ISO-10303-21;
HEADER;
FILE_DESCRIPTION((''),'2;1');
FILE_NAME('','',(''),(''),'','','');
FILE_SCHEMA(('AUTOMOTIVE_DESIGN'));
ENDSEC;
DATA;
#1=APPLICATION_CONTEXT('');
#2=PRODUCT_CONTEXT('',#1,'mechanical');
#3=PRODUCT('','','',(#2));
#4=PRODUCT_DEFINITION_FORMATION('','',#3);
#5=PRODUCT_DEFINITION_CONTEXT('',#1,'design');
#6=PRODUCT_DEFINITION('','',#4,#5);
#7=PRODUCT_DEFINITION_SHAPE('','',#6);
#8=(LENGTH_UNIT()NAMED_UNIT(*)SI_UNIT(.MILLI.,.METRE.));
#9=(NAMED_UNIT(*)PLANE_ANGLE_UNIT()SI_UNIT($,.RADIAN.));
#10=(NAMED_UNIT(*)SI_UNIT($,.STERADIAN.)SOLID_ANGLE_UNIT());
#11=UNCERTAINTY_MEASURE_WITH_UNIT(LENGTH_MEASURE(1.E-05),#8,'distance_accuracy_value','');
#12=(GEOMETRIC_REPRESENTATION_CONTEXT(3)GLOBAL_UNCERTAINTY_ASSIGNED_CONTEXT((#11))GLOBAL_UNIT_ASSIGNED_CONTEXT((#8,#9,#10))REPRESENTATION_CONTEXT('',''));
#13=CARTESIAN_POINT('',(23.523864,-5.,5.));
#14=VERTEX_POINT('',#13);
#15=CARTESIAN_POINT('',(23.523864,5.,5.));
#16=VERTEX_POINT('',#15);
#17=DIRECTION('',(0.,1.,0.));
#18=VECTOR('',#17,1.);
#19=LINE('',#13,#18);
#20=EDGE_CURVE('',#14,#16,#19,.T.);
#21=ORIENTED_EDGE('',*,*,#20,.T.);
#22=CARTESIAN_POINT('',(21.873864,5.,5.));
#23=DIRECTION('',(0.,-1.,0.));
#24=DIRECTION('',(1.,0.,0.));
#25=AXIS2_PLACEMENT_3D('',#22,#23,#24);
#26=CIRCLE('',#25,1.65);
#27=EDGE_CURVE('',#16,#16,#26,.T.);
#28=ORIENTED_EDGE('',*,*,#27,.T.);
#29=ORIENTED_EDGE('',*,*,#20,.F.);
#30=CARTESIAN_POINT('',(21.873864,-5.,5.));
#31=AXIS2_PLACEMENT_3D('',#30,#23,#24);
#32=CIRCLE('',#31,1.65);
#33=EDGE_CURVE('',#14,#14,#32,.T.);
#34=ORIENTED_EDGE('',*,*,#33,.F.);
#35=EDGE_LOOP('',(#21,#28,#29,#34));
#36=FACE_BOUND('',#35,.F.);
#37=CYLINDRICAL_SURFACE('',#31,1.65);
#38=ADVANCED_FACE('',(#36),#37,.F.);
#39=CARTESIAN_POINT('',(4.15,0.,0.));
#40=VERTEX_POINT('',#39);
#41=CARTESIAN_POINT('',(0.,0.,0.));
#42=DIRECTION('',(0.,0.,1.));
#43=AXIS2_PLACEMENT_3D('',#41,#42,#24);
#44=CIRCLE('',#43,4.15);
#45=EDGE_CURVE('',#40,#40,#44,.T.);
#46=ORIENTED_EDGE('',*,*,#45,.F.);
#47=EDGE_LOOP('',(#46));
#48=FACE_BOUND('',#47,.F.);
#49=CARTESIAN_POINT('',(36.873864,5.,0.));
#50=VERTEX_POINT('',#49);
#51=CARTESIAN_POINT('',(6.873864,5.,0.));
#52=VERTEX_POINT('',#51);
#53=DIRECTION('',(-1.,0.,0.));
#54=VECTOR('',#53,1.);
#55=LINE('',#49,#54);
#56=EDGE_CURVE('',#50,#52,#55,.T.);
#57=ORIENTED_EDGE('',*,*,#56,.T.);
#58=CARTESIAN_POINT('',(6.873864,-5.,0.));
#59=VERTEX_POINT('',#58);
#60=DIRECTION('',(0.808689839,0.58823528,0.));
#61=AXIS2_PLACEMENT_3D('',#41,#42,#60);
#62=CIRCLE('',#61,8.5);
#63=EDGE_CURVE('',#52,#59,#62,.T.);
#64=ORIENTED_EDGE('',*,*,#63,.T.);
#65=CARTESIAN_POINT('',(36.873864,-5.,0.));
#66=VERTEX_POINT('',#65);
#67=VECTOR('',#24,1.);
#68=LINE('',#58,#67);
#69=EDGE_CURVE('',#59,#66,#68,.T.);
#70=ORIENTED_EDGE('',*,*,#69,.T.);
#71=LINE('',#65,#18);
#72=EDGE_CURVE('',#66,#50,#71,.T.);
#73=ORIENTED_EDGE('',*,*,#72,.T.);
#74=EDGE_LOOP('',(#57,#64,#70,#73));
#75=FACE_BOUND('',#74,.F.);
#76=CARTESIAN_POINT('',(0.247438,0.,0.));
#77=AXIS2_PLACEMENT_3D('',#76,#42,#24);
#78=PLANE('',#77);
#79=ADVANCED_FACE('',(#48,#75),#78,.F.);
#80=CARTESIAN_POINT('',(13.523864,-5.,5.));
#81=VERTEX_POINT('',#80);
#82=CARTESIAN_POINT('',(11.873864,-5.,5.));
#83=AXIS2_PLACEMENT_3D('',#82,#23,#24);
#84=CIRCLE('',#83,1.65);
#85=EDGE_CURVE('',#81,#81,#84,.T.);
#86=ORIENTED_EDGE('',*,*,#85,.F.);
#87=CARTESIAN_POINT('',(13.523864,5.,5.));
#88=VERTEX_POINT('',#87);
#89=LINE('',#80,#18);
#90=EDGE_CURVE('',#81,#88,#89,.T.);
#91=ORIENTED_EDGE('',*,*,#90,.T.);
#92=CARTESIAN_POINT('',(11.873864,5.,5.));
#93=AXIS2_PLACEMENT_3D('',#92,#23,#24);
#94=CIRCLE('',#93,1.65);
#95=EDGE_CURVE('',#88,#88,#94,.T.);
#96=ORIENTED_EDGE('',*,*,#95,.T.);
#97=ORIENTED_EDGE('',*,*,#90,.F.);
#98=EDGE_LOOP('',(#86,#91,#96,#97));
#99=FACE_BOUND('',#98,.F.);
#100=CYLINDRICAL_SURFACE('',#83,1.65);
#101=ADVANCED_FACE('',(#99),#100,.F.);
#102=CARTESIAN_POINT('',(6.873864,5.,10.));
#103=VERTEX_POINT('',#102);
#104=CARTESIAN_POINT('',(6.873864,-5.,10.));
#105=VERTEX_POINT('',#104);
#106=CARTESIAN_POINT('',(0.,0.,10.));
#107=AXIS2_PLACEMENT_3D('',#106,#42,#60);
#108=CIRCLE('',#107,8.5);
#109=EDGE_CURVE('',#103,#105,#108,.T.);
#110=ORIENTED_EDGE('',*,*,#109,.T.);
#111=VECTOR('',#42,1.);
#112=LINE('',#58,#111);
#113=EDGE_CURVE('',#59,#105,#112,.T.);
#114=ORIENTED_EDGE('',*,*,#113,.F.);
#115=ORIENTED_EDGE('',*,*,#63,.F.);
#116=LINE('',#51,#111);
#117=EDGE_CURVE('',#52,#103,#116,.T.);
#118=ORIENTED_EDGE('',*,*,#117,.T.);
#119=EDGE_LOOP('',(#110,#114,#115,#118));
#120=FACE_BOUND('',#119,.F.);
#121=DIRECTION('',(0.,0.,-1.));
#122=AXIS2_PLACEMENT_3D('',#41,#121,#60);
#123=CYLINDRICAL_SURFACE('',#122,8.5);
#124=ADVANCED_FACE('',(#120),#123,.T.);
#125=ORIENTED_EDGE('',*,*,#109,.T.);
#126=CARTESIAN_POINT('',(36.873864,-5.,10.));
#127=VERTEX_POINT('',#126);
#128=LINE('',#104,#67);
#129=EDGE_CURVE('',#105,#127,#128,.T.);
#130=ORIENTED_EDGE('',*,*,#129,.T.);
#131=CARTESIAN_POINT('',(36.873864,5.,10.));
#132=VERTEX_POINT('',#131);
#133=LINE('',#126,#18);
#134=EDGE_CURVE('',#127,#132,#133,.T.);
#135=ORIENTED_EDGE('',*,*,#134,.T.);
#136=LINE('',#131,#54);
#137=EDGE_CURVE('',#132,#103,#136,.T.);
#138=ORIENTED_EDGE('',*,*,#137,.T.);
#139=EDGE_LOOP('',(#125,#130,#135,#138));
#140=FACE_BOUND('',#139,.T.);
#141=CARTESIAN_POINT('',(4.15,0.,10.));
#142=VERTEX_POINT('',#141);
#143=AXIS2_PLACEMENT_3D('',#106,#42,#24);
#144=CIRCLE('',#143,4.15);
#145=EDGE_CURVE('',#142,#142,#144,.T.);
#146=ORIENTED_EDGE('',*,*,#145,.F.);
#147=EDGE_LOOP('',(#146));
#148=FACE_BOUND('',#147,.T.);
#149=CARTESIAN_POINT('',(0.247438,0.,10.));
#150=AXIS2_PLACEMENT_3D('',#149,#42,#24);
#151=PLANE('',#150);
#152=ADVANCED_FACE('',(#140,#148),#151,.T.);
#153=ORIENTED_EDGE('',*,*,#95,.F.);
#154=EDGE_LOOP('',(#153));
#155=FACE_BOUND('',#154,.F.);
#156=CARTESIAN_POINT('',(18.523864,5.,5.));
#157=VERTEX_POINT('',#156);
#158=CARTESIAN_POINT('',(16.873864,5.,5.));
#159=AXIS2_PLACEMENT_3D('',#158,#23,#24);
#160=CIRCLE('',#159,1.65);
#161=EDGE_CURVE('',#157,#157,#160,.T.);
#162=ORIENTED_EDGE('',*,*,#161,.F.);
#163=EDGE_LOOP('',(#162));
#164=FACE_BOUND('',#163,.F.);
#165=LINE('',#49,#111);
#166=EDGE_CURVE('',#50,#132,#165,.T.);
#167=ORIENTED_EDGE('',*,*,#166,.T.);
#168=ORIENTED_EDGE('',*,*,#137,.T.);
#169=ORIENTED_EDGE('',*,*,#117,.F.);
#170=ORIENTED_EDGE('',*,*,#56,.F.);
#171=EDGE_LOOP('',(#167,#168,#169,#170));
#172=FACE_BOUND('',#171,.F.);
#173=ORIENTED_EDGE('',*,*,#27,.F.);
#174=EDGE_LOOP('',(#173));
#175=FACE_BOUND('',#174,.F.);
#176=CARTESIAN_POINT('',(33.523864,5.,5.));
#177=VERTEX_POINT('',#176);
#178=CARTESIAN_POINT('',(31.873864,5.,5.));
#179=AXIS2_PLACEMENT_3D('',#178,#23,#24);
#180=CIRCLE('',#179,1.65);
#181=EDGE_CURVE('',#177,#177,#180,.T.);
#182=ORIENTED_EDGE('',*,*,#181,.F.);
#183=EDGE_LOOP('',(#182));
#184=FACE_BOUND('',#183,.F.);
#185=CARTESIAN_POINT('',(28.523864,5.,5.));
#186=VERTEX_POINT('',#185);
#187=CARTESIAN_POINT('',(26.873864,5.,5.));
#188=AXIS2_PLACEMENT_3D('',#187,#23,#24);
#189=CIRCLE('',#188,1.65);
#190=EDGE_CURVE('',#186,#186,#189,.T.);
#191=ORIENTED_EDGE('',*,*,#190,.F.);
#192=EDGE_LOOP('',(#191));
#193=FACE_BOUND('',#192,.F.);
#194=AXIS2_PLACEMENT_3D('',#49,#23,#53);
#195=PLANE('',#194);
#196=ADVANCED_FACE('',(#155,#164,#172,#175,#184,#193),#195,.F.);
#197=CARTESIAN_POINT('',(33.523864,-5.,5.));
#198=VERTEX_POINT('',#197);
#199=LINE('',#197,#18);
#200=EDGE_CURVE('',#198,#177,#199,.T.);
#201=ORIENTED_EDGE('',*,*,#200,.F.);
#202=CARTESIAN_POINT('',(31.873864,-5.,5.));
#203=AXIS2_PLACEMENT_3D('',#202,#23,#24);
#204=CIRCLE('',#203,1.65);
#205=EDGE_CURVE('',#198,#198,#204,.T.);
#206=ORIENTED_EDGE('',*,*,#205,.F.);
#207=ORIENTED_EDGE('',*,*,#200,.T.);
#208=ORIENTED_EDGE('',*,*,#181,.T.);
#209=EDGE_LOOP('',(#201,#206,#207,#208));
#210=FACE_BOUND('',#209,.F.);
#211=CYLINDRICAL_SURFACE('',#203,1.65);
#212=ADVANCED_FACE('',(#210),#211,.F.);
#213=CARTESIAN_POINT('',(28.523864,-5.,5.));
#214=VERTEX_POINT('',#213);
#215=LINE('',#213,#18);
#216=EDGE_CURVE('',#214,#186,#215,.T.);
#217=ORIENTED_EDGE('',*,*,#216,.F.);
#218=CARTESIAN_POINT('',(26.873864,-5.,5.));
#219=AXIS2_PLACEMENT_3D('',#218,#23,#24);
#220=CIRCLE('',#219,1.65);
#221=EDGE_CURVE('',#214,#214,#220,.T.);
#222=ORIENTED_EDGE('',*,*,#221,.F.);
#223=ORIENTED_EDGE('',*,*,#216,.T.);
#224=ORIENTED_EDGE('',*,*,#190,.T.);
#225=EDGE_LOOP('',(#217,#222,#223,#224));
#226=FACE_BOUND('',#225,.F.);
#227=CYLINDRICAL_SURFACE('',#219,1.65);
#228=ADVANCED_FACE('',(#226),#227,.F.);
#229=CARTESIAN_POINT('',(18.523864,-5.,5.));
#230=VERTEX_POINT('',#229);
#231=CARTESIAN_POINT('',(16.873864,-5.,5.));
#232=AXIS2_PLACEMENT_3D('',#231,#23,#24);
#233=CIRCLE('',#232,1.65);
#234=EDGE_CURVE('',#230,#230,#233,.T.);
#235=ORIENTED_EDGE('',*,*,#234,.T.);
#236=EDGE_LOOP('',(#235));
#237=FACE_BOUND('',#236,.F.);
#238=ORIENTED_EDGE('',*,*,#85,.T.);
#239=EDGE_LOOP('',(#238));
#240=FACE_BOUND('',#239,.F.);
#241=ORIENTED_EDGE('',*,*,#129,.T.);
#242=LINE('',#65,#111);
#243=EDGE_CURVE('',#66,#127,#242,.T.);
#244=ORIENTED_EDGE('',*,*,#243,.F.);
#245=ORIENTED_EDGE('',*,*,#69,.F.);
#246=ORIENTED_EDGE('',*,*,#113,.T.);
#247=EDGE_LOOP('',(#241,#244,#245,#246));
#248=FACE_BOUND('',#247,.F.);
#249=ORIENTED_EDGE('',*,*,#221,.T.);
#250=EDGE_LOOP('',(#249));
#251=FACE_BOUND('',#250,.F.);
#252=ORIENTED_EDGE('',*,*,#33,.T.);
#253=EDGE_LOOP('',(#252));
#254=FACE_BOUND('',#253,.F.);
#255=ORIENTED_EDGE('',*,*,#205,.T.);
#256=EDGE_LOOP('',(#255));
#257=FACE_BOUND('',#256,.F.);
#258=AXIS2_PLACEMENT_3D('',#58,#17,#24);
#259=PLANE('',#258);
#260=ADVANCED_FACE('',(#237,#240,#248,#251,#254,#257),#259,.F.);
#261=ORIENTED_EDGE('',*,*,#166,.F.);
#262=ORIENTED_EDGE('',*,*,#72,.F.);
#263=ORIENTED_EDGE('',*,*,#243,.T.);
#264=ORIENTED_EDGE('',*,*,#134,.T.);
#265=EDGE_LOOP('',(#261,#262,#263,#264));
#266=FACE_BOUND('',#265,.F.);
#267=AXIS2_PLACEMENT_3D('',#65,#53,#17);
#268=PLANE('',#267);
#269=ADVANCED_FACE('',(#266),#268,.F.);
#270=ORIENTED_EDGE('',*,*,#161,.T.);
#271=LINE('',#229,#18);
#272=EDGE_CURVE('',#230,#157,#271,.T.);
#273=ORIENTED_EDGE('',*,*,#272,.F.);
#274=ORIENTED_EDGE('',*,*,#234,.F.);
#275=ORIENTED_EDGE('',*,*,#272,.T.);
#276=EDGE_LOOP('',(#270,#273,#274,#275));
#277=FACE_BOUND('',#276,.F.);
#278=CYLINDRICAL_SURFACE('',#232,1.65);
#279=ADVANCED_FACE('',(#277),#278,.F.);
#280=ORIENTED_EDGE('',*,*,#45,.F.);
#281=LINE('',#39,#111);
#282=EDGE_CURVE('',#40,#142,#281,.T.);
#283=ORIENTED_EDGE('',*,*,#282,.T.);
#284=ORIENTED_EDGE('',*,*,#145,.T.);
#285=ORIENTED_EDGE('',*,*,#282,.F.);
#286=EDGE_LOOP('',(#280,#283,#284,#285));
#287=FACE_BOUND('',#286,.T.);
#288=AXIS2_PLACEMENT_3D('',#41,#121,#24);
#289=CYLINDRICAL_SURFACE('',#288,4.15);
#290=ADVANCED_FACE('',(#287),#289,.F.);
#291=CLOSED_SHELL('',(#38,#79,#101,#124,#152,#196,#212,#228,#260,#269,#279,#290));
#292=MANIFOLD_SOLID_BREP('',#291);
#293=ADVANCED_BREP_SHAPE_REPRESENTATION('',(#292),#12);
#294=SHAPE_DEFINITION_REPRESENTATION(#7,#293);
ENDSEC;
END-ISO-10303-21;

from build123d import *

# Parameters (mm, degrees)
F0_R     = 4.15
F1_DEPTH = 10
F2_R     = 1.65
F3_DEPTH = 25


with BuildPart() as f1:
    # F0 (on Top) → F1 (new body)
    with BuildSketch(Plane.XY):
        with BuildLine():
            Line((6.873864, -5), (6.873864, 5))
            ThreePointArc((6.873864, 5), (-8.5, 0), (6.873864, -5))
        make_face()
        Circle(F0_R, mode=Mode.SUBTRACT)
        with BuildLine():
            ThreePointArc((6.873864, -5), (8.083249, -2.628893), (8.5, 0))
            ThreePointArc((8.5, 0), (8.083249, 2.628893), (6.873864, 5))
            Line((6.873864, 5), (6.873864, -5))
        make_face()
        with BuildLine():
            ThreePointArc((6.873864, 5), (8.083249, 2.628893), (8.5, 0))
            ThreePointArc((8.5, 0), (8.083249, -2.628893), (6.873864, -5))
            Line((6.873864, -5), (36.873864, -5))
            Line((36.873864, -5), (36.873864, 5))
            Line((36.873864, 5), (6.873864, 5))
        make_face()
    extrude(amount=F1_DEPTH)

    # F2 (on face) → F3 (cut)
    with BuildSketch(Plane.XZ.offset(5)):
        with Locations((11.873864, 5)):
            Circle(F2_R)
        with Locations((16.873864, 5)):
            Circle(F2_R)
        with Locations((21.873864, 5)):
            Circle(F2_R)
        with Locations((26.873864, 5)):
            Circle(F2_R)
        with Locations((31.873864, 5)):
            Circle(F2_R)
    extrude(amount=-F3_DEPTH, mode=Mode.SUBTRACT)


solid = f1.part
